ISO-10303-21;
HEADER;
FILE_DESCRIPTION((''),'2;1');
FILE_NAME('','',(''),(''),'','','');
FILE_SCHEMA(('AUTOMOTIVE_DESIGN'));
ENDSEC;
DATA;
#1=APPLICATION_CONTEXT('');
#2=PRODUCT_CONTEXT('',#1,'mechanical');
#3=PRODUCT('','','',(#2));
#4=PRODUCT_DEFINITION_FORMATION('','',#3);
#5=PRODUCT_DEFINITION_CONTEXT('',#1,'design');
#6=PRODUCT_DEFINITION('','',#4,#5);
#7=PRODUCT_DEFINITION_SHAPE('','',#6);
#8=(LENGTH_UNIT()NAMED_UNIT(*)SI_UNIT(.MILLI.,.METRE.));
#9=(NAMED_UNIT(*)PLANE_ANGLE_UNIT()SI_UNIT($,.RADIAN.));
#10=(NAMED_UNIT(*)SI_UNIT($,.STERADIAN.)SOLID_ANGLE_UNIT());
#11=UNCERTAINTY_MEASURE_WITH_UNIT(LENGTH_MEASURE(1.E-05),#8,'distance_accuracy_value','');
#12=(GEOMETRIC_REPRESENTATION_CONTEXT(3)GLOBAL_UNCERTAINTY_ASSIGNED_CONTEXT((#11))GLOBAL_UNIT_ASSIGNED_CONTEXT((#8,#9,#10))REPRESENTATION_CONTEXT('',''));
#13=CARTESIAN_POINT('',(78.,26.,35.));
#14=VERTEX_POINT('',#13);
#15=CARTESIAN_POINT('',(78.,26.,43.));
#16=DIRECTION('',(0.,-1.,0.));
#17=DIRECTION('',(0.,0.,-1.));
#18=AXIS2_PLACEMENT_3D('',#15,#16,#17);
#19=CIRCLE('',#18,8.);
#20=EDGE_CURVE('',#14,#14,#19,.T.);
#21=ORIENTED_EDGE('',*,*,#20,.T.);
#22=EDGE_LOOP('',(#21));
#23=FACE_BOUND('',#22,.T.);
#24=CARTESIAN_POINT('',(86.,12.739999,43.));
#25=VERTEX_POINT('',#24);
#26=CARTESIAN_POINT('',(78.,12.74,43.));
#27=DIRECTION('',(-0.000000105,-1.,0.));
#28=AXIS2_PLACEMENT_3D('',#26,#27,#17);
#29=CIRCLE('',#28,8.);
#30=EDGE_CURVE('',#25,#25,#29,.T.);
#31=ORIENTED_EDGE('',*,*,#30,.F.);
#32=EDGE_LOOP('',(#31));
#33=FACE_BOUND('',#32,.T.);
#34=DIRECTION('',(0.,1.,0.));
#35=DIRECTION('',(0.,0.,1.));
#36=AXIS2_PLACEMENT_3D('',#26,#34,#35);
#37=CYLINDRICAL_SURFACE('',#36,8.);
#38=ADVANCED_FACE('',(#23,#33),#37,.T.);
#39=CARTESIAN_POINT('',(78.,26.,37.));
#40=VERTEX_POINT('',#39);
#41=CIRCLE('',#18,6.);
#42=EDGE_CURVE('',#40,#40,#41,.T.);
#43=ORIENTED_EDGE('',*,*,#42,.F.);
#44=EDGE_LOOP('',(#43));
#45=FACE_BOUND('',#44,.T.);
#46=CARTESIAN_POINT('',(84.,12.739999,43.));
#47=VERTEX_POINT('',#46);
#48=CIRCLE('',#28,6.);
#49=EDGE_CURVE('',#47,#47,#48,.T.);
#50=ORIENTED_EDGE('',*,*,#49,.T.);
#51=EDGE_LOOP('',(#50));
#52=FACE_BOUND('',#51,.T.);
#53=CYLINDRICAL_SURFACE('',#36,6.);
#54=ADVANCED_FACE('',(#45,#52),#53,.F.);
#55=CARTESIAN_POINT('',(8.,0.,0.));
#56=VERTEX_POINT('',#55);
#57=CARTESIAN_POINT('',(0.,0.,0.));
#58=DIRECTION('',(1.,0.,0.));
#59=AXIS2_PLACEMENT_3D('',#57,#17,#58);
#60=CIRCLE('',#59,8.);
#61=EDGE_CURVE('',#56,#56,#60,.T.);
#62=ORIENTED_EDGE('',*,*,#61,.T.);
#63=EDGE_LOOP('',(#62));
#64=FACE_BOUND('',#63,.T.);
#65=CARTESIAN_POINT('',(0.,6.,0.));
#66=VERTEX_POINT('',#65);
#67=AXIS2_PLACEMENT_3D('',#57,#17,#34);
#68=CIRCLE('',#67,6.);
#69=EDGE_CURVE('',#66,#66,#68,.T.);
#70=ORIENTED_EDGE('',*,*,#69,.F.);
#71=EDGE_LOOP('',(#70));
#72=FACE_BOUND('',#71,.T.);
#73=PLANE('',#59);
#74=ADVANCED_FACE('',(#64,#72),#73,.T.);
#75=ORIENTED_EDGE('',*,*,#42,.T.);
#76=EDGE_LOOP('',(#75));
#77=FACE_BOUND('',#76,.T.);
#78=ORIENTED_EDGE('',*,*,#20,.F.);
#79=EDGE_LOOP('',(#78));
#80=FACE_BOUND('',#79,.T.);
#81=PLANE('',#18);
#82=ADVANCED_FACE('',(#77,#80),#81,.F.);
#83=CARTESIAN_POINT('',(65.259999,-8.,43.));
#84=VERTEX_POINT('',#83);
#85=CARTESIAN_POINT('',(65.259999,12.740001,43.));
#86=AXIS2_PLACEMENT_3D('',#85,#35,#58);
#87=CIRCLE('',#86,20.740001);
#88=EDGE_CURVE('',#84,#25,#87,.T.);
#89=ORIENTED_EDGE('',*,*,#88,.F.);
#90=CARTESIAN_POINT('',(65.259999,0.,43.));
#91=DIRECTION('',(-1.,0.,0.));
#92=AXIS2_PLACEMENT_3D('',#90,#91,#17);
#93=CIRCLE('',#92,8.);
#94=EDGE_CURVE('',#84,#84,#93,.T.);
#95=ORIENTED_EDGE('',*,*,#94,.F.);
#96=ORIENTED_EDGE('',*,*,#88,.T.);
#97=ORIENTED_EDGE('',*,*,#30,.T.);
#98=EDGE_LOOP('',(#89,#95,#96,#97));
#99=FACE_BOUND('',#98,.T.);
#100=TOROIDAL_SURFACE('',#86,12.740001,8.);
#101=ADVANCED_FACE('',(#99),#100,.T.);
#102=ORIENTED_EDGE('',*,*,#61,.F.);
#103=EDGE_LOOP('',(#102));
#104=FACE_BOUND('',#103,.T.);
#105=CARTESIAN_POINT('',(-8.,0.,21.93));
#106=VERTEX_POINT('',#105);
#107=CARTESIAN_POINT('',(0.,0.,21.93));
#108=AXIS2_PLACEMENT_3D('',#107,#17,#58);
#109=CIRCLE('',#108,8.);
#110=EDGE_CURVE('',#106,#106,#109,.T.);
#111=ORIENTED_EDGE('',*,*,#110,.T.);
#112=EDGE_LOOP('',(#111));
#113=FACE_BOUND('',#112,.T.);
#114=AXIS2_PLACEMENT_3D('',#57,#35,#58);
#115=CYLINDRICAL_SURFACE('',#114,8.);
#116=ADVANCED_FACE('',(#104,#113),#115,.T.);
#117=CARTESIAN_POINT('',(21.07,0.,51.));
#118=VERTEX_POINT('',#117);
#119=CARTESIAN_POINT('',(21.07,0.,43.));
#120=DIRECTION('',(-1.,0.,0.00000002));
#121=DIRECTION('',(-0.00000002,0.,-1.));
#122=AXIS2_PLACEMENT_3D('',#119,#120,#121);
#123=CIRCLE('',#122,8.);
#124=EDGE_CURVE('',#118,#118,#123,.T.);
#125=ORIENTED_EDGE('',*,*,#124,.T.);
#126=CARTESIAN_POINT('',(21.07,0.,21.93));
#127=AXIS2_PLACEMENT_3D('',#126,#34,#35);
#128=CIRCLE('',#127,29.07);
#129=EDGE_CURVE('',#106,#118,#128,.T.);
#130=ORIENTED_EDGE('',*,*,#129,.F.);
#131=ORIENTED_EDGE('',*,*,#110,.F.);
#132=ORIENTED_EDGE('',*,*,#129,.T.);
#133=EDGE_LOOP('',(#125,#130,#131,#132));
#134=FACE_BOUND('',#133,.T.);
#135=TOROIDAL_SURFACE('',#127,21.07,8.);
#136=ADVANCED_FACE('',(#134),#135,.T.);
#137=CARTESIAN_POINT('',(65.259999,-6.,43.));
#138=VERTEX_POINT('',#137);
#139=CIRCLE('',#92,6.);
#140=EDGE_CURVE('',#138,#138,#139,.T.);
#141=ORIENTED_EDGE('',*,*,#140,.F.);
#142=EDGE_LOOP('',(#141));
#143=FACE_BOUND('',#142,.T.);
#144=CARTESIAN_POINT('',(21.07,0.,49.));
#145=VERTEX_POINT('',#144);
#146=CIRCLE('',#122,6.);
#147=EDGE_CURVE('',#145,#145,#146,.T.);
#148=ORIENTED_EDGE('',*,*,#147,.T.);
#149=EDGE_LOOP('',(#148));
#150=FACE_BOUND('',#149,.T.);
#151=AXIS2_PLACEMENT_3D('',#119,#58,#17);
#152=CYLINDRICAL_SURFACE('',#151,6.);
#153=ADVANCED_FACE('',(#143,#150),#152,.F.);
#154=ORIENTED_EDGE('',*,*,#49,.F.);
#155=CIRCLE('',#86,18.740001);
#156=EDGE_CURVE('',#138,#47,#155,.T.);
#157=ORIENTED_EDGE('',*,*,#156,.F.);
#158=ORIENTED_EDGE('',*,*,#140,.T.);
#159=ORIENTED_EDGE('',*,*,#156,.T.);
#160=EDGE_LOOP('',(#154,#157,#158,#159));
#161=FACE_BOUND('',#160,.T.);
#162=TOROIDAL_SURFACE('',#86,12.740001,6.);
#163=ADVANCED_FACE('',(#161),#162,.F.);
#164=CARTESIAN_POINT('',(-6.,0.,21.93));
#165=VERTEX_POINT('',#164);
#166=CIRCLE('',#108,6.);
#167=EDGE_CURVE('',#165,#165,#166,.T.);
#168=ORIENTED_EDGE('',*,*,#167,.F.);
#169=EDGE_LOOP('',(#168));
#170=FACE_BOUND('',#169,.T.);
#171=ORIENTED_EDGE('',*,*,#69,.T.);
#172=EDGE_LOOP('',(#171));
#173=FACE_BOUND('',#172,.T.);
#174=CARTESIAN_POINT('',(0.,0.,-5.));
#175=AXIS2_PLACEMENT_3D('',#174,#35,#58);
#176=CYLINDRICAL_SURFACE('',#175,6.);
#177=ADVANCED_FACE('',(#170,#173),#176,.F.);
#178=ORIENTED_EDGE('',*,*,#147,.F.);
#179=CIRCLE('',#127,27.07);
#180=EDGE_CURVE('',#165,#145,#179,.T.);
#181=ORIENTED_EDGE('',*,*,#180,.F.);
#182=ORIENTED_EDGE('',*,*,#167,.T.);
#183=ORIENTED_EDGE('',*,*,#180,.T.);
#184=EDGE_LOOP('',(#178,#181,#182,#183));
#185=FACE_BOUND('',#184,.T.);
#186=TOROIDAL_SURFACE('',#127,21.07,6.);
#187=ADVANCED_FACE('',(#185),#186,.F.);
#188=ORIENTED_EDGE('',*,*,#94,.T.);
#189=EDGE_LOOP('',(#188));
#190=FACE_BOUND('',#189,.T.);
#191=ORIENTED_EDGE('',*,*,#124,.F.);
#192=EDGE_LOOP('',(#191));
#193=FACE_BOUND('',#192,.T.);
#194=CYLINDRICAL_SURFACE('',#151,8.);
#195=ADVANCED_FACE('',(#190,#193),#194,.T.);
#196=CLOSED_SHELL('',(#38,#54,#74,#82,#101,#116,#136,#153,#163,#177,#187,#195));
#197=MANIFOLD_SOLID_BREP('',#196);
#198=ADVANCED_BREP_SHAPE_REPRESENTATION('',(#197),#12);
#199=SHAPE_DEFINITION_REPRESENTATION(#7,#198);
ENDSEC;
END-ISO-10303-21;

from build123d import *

# Parameters (mm, degrees)
SWEEP1_PROFILE_R                           = 8
HOLLOW_TUBE_OD_AND_WALL_PROVISIONAL_PROF_R = 6


with BuildPart() as part:
    # Sweep1: sweep along a curve in space
    with BuildLine() as sweep1_path:
        Line((0, 0, 0), (0, 0, 21.930000411))
        ThreePointArc((0, 0, 21.930000411), (6.171260145, 0, 36.828740145), (21.07, 0, 43))
        Line((21.07, 0, 43), (65.259998661, 0, 43))
        ThreePointArc((65.259998661, 0, 43), (74.268539526, 3.731459526, 43), (78, 12.74, 43))
        Line((78, 12.74, 43), (78, 26, 43))
    # Sweep1 profile (on start of the path) → Sweep1 (sweep)
    with BuildSketch(Plane.XY):
        Circle(SWEEP1_PROFILE_R)
    sweep(path=sweep1_path.line)

    # Hollow_tube_OD_and_wall_PROVISIONAL: sweep along a curve in space
    with BuildLine() as hollow_tube_od_and_wall_provisional_path:
        Line((0, 0, 0), (0, 0, 21.930000411))
        ThreePointArc((0, 0, 21.930000411), (6.171260145, 0, 36.828740145), (21.07, 0, 43))
        Line((21.07, 0, 43), (65.259998661, 0, 43))
        ThreePointArc((65.259998661, 0, 43), (74.268539526, 3.731459526, 43), (78, 12.74, 43))
        Line((78, 12.74, 43), (78, 26, 43))
    # Hollow_tube_OD_and_wall_PROVISIONAL prof (on start of the path) → Hollow_tube_OD_and_wall_PROVISIONAL (sweep, cut)
    with BuildSketch(Plane.XY):
        Circle(HOLLOW_TUBE_OD_AND_WALL_PROVISIONAL_PROF_R)
    sweep(path=hollow_tube_od_and_wall_provisional_path.line, mode=Mode.SUBTRACT)


solid = part.part
